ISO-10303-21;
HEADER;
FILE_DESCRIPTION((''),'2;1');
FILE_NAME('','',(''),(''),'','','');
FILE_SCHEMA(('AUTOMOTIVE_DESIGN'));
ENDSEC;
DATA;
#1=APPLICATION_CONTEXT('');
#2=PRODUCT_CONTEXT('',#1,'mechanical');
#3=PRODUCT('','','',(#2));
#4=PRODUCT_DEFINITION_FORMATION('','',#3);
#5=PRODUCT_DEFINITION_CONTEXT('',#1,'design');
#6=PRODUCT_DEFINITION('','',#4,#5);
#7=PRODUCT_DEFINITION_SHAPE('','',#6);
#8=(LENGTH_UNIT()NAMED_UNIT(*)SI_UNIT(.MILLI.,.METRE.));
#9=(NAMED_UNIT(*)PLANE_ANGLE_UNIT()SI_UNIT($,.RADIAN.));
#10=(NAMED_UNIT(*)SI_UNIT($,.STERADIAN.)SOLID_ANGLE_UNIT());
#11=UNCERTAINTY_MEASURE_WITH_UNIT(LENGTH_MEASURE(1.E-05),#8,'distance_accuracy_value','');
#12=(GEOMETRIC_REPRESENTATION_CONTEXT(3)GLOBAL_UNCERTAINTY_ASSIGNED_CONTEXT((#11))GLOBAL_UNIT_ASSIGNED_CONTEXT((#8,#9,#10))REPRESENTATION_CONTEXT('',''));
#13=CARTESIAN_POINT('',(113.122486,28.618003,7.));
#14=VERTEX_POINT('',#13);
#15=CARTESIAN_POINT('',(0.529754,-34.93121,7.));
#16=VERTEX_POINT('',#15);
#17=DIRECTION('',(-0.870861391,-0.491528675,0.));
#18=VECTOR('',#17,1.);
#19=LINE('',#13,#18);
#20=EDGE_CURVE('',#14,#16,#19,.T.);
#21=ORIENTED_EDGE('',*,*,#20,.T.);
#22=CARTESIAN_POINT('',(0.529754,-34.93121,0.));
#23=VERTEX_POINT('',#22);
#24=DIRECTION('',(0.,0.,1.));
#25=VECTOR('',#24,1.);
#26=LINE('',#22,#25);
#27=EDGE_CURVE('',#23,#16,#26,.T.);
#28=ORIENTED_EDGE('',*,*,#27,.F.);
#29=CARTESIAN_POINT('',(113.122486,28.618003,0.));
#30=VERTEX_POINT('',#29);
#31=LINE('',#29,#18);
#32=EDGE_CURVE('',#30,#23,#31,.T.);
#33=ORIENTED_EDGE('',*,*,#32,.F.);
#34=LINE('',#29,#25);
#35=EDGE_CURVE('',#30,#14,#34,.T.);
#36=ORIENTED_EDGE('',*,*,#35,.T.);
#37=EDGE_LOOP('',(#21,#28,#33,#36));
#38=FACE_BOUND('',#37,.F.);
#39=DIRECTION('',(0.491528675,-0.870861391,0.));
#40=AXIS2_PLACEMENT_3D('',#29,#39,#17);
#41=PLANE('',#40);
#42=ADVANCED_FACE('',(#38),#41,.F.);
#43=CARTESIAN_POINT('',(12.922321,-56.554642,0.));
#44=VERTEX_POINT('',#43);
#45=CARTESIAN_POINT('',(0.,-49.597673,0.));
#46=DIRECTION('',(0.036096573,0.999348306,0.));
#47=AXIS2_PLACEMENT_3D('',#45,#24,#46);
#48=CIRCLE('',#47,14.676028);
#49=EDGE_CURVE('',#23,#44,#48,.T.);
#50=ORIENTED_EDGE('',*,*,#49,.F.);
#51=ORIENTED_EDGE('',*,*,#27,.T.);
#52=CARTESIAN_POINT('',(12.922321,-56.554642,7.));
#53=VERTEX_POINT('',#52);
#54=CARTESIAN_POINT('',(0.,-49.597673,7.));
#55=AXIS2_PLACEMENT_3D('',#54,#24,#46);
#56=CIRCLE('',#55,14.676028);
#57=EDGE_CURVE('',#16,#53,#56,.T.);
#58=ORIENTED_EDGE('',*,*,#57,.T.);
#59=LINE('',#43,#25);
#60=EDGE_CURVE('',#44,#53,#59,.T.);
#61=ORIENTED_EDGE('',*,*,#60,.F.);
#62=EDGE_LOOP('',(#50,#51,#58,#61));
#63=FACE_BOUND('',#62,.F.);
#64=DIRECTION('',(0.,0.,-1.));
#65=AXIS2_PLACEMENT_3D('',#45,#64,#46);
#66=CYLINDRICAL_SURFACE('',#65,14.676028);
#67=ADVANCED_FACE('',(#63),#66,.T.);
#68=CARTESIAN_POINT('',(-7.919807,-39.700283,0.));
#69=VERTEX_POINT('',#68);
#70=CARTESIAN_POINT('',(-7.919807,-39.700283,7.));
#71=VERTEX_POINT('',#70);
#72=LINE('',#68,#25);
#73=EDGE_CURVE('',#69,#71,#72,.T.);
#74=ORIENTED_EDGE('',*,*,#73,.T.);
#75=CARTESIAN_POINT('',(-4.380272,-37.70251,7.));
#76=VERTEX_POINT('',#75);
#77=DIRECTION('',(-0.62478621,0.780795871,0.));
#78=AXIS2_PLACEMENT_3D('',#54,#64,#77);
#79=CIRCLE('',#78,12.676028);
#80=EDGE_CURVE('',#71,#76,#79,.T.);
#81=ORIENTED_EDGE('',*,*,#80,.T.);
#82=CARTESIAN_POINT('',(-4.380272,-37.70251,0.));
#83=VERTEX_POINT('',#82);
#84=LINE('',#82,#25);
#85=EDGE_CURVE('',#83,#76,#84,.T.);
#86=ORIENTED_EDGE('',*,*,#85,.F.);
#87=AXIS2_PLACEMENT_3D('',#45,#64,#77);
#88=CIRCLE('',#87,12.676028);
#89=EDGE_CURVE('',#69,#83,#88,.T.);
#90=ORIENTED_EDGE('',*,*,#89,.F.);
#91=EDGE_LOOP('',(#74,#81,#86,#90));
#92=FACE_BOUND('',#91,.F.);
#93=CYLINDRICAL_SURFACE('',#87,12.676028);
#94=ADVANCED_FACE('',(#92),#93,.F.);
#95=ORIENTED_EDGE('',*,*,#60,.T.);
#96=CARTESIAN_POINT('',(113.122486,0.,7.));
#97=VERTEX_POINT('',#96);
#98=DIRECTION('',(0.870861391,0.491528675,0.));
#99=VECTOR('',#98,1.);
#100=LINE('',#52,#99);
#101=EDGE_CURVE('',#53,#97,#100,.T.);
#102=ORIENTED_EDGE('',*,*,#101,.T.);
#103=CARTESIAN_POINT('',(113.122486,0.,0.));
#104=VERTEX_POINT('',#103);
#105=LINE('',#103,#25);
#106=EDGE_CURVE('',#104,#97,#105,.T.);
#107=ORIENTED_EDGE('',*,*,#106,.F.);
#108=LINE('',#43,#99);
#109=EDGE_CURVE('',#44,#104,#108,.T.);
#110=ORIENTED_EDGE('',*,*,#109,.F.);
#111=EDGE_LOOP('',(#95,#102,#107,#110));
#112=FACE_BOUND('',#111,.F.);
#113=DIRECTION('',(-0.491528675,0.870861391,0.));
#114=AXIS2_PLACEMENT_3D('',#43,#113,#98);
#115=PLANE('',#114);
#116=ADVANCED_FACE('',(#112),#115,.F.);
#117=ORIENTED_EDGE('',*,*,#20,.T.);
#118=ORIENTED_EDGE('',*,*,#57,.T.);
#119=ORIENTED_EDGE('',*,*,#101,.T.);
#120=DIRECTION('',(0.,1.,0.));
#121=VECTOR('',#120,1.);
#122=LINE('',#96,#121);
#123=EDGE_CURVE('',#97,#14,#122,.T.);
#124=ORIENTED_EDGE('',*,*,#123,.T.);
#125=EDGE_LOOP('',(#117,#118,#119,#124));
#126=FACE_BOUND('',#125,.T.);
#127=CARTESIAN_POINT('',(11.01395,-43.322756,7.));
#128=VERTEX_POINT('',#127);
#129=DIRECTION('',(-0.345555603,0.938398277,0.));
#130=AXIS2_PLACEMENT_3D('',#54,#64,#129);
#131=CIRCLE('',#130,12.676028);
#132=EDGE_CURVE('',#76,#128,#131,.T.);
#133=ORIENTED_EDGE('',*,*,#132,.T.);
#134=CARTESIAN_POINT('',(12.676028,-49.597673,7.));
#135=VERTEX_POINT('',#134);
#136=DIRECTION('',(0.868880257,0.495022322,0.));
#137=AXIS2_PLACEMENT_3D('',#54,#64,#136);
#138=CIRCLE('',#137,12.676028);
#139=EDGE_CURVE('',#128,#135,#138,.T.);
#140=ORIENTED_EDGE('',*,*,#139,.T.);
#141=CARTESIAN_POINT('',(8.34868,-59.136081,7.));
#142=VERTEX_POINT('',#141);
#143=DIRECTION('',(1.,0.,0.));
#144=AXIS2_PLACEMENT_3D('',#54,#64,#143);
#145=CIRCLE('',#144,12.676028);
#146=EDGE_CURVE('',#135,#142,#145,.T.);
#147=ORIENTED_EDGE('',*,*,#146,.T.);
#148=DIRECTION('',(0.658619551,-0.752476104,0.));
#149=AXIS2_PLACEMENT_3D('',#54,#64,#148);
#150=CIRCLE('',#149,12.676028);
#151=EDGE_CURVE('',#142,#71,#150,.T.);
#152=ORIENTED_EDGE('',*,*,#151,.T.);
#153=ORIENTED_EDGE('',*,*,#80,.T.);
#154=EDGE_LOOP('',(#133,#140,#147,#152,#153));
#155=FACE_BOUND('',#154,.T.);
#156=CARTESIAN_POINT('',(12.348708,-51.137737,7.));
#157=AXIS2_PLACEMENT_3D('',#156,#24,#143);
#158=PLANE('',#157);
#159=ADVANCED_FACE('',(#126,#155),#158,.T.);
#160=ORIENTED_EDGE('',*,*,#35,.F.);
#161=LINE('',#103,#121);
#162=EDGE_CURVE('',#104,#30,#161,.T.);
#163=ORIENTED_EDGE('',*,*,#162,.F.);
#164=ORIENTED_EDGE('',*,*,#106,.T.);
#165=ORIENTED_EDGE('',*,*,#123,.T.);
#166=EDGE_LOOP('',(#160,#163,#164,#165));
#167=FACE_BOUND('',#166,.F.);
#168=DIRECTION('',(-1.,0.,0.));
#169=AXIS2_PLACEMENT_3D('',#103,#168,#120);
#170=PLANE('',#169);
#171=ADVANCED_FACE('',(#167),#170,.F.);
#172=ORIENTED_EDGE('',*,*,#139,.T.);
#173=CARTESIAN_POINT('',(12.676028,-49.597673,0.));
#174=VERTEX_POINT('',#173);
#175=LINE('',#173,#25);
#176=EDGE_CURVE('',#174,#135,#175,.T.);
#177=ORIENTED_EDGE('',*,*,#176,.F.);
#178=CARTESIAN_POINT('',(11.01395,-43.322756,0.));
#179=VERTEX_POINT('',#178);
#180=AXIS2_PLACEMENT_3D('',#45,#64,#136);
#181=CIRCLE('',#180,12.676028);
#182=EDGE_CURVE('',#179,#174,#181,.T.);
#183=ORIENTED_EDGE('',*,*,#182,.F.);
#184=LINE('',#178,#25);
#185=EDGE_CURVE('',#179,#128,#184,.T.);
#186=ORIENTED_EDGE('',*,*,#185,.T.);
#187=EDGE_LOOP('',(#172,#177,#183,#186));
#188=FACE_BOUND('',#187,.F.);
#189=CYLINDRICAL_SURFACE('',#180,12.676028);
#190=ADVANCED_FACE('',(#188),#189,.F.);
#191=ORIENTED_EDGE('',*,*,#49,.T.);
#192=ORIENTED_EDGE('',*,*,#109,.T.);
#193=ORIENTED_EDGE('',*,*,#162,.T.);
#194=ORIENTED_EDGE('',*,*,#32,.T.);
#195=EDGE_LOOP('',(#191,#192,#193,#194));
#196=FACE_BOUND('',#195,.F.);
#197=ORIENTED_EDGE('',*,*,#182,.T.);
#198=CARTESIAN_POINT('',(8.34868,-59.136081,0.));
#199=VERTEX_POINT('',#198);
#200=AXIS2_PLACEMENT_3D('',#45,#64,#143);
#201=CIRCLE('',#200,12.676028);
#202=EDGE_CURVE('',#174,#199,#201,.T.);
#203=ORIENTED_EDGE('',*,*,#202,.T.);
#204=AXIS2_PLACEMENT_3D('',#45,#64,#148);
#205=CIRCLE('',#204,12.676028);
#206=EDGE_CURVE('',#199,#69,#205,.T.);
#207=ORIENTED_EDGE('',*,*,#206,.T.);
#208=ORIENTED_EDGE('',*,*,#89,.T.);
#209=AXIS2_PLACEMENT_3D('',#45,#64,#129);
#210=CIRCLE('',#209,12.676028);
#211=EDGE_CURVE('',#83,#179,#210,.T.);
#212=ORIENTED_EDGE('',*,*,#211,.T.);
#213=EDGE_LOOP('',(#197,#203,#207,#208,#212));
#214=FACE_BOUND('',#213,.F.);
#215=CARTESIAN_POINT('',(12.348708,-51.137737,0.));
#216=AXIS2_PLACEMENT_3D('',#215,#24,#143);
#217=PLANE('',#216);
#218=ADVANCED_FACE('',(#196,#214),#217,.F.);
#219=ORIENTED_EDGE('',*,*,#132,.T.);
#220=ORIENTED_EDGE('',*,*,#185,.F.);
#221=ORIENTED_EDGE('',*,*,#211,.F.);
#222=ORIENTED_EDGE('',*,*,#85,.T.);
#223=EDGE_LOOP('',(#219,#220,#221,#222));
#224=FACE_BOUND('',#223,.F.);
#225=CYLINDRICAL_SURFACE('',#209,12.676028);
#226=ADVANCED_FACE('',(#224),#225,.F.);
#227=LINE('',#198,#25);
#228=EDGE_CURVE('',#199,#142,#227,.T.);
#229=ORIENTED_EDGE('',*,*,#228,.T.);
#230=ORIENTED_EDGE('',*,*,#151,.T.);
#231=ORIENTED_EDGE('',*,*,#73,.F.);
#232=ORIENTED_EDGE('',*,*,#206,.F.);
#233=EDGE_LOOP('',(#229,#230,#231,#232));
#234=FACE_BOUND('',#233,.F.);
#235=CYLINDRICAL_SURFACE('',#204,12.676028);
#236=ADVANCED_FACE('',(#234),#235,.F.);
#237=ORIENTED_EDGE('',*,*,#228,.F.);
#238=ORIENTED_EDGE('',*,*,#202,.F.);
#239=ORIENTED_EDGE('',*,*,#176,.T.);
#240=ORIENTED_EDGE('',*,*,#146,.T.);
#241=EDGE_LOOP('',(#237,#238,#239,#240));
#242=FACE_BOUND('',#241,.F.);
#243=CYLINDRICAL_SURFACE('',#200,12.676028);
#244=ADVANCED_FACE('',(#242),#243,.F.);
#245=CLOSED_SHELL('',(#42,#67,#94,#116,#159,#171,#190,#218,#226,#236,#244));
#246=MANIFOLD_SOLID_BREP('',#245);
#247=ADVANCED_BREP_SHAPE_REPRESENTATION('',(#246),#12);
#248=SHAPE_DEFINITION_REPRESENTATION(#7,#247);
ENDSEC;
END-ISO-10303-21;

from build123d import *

# Parameters (mm, degrees)
F1_DEPTH = 7


with BuildPart() as f1:
    # F0 (on Top) → F1 (new body)
    with BuildSketch(Plane.XY):
        with BuildLine():
            ThreePointArc((11.013950333, -43.3227563745), (12.2534652904, -46.3520190309), (12.6760278509, -49.5976731181))
            ThreePointArc((12.6760278509, -49.5976731181), (11.5436081746, -54.8347326353), (8.3486797715, -59.1360811692))
            Line((8.3486797715, -59.1360811692), (12.9223209509, -56.5546419063))
            ThreePointArc((12.9223209509, -56.5546419063), (14.2308491604, -53.1849737262), (14.6760278509, -49.5976731181))
            ThreePointArc((14.6760278509, -49.5976731181), (14.1878219864, -45.8438083413), (12.7556852478, -42.3396921772))
            Line((12.7556852478, -42.3396921772), (11.013950333, -43.3227563745))
        make_face()
        with BuildLine():
            ThreePointArc((-4.3802724447, -37.7025104296), (4.3472073452, -37.6903866777), (11.013950333, -43.3227563745))
            Line((11.013950333, -43.3227563745), (12.7556852478, -42.3396921772))
            ThreePointArc((12.7556852478, -42.3396921772), (7.6057300665, -37.0462324185), (0.5297543163, -34.9312095415))
            Line((0.5297543163, -34.9312095415), (-4.3802724447, -37.7025104296))
        make_face()
        with BuildLine():
            Line((12.9223209509, -56.5546419063), (8.3486797715, -59.1360811692))
            ThreePointArc((8.3486797715, -59.1360811692), (-9.7202647257, -57.7338967961), (-7.9198073974, -39.7002829134))
            ThreePointArc((-7.9198073974, -39.7002829134), (-6.2306311682, -38.5586098734), (-4.3802724447, -37.7025104296))
            Line((-4.3802724447, -37.7025104296), (0.5297543163, -34.9312095415))
            ThreePointArc((0.5297543163, -34.9312095415), (-12.7331374397, -56.8951387344), (12.9223209509, -56.5546419063))
        make_face()
        with BuildLine():
            ThreePointArc((0.5297543163, -34.9312095415), (7.6057300665, -37.0462324185), (12.7556852478, -42.3396921772))
            Line((12.7556852478, -42.3396921772), (113.1224855781, 14.3090016955))
            Line((113.1224855781, 14.3090016955), (113.1224855781, 28.618003391))
            Line((113.1224855781, 28.618003391), (0.5297543163, -34.9312095415))
        make_face()
        with BuildLine():
            Line((113.1224855781, 14.3090016955), (12.7556852478, -42.3396921772))
            ThreePointArc((12.7556852478, -42.3396921772), (14.1878219864, -45.8438083413), (14.6760278509, -49.5976731181))
            ThreePointArc((14.6760278509, -49.5976731181), (14.2308491604, -53.1849737262), (12.9223209509, -56.5546419063))
            Line((12.9223209509, -56.5546419063), (113.1224855781, 0))
            Line((113.1224855781, 0), (113.1224855781, 14.3090016955))
        make_face()
    extrude(amount=F1_DEPTH)


solid = f1.part
